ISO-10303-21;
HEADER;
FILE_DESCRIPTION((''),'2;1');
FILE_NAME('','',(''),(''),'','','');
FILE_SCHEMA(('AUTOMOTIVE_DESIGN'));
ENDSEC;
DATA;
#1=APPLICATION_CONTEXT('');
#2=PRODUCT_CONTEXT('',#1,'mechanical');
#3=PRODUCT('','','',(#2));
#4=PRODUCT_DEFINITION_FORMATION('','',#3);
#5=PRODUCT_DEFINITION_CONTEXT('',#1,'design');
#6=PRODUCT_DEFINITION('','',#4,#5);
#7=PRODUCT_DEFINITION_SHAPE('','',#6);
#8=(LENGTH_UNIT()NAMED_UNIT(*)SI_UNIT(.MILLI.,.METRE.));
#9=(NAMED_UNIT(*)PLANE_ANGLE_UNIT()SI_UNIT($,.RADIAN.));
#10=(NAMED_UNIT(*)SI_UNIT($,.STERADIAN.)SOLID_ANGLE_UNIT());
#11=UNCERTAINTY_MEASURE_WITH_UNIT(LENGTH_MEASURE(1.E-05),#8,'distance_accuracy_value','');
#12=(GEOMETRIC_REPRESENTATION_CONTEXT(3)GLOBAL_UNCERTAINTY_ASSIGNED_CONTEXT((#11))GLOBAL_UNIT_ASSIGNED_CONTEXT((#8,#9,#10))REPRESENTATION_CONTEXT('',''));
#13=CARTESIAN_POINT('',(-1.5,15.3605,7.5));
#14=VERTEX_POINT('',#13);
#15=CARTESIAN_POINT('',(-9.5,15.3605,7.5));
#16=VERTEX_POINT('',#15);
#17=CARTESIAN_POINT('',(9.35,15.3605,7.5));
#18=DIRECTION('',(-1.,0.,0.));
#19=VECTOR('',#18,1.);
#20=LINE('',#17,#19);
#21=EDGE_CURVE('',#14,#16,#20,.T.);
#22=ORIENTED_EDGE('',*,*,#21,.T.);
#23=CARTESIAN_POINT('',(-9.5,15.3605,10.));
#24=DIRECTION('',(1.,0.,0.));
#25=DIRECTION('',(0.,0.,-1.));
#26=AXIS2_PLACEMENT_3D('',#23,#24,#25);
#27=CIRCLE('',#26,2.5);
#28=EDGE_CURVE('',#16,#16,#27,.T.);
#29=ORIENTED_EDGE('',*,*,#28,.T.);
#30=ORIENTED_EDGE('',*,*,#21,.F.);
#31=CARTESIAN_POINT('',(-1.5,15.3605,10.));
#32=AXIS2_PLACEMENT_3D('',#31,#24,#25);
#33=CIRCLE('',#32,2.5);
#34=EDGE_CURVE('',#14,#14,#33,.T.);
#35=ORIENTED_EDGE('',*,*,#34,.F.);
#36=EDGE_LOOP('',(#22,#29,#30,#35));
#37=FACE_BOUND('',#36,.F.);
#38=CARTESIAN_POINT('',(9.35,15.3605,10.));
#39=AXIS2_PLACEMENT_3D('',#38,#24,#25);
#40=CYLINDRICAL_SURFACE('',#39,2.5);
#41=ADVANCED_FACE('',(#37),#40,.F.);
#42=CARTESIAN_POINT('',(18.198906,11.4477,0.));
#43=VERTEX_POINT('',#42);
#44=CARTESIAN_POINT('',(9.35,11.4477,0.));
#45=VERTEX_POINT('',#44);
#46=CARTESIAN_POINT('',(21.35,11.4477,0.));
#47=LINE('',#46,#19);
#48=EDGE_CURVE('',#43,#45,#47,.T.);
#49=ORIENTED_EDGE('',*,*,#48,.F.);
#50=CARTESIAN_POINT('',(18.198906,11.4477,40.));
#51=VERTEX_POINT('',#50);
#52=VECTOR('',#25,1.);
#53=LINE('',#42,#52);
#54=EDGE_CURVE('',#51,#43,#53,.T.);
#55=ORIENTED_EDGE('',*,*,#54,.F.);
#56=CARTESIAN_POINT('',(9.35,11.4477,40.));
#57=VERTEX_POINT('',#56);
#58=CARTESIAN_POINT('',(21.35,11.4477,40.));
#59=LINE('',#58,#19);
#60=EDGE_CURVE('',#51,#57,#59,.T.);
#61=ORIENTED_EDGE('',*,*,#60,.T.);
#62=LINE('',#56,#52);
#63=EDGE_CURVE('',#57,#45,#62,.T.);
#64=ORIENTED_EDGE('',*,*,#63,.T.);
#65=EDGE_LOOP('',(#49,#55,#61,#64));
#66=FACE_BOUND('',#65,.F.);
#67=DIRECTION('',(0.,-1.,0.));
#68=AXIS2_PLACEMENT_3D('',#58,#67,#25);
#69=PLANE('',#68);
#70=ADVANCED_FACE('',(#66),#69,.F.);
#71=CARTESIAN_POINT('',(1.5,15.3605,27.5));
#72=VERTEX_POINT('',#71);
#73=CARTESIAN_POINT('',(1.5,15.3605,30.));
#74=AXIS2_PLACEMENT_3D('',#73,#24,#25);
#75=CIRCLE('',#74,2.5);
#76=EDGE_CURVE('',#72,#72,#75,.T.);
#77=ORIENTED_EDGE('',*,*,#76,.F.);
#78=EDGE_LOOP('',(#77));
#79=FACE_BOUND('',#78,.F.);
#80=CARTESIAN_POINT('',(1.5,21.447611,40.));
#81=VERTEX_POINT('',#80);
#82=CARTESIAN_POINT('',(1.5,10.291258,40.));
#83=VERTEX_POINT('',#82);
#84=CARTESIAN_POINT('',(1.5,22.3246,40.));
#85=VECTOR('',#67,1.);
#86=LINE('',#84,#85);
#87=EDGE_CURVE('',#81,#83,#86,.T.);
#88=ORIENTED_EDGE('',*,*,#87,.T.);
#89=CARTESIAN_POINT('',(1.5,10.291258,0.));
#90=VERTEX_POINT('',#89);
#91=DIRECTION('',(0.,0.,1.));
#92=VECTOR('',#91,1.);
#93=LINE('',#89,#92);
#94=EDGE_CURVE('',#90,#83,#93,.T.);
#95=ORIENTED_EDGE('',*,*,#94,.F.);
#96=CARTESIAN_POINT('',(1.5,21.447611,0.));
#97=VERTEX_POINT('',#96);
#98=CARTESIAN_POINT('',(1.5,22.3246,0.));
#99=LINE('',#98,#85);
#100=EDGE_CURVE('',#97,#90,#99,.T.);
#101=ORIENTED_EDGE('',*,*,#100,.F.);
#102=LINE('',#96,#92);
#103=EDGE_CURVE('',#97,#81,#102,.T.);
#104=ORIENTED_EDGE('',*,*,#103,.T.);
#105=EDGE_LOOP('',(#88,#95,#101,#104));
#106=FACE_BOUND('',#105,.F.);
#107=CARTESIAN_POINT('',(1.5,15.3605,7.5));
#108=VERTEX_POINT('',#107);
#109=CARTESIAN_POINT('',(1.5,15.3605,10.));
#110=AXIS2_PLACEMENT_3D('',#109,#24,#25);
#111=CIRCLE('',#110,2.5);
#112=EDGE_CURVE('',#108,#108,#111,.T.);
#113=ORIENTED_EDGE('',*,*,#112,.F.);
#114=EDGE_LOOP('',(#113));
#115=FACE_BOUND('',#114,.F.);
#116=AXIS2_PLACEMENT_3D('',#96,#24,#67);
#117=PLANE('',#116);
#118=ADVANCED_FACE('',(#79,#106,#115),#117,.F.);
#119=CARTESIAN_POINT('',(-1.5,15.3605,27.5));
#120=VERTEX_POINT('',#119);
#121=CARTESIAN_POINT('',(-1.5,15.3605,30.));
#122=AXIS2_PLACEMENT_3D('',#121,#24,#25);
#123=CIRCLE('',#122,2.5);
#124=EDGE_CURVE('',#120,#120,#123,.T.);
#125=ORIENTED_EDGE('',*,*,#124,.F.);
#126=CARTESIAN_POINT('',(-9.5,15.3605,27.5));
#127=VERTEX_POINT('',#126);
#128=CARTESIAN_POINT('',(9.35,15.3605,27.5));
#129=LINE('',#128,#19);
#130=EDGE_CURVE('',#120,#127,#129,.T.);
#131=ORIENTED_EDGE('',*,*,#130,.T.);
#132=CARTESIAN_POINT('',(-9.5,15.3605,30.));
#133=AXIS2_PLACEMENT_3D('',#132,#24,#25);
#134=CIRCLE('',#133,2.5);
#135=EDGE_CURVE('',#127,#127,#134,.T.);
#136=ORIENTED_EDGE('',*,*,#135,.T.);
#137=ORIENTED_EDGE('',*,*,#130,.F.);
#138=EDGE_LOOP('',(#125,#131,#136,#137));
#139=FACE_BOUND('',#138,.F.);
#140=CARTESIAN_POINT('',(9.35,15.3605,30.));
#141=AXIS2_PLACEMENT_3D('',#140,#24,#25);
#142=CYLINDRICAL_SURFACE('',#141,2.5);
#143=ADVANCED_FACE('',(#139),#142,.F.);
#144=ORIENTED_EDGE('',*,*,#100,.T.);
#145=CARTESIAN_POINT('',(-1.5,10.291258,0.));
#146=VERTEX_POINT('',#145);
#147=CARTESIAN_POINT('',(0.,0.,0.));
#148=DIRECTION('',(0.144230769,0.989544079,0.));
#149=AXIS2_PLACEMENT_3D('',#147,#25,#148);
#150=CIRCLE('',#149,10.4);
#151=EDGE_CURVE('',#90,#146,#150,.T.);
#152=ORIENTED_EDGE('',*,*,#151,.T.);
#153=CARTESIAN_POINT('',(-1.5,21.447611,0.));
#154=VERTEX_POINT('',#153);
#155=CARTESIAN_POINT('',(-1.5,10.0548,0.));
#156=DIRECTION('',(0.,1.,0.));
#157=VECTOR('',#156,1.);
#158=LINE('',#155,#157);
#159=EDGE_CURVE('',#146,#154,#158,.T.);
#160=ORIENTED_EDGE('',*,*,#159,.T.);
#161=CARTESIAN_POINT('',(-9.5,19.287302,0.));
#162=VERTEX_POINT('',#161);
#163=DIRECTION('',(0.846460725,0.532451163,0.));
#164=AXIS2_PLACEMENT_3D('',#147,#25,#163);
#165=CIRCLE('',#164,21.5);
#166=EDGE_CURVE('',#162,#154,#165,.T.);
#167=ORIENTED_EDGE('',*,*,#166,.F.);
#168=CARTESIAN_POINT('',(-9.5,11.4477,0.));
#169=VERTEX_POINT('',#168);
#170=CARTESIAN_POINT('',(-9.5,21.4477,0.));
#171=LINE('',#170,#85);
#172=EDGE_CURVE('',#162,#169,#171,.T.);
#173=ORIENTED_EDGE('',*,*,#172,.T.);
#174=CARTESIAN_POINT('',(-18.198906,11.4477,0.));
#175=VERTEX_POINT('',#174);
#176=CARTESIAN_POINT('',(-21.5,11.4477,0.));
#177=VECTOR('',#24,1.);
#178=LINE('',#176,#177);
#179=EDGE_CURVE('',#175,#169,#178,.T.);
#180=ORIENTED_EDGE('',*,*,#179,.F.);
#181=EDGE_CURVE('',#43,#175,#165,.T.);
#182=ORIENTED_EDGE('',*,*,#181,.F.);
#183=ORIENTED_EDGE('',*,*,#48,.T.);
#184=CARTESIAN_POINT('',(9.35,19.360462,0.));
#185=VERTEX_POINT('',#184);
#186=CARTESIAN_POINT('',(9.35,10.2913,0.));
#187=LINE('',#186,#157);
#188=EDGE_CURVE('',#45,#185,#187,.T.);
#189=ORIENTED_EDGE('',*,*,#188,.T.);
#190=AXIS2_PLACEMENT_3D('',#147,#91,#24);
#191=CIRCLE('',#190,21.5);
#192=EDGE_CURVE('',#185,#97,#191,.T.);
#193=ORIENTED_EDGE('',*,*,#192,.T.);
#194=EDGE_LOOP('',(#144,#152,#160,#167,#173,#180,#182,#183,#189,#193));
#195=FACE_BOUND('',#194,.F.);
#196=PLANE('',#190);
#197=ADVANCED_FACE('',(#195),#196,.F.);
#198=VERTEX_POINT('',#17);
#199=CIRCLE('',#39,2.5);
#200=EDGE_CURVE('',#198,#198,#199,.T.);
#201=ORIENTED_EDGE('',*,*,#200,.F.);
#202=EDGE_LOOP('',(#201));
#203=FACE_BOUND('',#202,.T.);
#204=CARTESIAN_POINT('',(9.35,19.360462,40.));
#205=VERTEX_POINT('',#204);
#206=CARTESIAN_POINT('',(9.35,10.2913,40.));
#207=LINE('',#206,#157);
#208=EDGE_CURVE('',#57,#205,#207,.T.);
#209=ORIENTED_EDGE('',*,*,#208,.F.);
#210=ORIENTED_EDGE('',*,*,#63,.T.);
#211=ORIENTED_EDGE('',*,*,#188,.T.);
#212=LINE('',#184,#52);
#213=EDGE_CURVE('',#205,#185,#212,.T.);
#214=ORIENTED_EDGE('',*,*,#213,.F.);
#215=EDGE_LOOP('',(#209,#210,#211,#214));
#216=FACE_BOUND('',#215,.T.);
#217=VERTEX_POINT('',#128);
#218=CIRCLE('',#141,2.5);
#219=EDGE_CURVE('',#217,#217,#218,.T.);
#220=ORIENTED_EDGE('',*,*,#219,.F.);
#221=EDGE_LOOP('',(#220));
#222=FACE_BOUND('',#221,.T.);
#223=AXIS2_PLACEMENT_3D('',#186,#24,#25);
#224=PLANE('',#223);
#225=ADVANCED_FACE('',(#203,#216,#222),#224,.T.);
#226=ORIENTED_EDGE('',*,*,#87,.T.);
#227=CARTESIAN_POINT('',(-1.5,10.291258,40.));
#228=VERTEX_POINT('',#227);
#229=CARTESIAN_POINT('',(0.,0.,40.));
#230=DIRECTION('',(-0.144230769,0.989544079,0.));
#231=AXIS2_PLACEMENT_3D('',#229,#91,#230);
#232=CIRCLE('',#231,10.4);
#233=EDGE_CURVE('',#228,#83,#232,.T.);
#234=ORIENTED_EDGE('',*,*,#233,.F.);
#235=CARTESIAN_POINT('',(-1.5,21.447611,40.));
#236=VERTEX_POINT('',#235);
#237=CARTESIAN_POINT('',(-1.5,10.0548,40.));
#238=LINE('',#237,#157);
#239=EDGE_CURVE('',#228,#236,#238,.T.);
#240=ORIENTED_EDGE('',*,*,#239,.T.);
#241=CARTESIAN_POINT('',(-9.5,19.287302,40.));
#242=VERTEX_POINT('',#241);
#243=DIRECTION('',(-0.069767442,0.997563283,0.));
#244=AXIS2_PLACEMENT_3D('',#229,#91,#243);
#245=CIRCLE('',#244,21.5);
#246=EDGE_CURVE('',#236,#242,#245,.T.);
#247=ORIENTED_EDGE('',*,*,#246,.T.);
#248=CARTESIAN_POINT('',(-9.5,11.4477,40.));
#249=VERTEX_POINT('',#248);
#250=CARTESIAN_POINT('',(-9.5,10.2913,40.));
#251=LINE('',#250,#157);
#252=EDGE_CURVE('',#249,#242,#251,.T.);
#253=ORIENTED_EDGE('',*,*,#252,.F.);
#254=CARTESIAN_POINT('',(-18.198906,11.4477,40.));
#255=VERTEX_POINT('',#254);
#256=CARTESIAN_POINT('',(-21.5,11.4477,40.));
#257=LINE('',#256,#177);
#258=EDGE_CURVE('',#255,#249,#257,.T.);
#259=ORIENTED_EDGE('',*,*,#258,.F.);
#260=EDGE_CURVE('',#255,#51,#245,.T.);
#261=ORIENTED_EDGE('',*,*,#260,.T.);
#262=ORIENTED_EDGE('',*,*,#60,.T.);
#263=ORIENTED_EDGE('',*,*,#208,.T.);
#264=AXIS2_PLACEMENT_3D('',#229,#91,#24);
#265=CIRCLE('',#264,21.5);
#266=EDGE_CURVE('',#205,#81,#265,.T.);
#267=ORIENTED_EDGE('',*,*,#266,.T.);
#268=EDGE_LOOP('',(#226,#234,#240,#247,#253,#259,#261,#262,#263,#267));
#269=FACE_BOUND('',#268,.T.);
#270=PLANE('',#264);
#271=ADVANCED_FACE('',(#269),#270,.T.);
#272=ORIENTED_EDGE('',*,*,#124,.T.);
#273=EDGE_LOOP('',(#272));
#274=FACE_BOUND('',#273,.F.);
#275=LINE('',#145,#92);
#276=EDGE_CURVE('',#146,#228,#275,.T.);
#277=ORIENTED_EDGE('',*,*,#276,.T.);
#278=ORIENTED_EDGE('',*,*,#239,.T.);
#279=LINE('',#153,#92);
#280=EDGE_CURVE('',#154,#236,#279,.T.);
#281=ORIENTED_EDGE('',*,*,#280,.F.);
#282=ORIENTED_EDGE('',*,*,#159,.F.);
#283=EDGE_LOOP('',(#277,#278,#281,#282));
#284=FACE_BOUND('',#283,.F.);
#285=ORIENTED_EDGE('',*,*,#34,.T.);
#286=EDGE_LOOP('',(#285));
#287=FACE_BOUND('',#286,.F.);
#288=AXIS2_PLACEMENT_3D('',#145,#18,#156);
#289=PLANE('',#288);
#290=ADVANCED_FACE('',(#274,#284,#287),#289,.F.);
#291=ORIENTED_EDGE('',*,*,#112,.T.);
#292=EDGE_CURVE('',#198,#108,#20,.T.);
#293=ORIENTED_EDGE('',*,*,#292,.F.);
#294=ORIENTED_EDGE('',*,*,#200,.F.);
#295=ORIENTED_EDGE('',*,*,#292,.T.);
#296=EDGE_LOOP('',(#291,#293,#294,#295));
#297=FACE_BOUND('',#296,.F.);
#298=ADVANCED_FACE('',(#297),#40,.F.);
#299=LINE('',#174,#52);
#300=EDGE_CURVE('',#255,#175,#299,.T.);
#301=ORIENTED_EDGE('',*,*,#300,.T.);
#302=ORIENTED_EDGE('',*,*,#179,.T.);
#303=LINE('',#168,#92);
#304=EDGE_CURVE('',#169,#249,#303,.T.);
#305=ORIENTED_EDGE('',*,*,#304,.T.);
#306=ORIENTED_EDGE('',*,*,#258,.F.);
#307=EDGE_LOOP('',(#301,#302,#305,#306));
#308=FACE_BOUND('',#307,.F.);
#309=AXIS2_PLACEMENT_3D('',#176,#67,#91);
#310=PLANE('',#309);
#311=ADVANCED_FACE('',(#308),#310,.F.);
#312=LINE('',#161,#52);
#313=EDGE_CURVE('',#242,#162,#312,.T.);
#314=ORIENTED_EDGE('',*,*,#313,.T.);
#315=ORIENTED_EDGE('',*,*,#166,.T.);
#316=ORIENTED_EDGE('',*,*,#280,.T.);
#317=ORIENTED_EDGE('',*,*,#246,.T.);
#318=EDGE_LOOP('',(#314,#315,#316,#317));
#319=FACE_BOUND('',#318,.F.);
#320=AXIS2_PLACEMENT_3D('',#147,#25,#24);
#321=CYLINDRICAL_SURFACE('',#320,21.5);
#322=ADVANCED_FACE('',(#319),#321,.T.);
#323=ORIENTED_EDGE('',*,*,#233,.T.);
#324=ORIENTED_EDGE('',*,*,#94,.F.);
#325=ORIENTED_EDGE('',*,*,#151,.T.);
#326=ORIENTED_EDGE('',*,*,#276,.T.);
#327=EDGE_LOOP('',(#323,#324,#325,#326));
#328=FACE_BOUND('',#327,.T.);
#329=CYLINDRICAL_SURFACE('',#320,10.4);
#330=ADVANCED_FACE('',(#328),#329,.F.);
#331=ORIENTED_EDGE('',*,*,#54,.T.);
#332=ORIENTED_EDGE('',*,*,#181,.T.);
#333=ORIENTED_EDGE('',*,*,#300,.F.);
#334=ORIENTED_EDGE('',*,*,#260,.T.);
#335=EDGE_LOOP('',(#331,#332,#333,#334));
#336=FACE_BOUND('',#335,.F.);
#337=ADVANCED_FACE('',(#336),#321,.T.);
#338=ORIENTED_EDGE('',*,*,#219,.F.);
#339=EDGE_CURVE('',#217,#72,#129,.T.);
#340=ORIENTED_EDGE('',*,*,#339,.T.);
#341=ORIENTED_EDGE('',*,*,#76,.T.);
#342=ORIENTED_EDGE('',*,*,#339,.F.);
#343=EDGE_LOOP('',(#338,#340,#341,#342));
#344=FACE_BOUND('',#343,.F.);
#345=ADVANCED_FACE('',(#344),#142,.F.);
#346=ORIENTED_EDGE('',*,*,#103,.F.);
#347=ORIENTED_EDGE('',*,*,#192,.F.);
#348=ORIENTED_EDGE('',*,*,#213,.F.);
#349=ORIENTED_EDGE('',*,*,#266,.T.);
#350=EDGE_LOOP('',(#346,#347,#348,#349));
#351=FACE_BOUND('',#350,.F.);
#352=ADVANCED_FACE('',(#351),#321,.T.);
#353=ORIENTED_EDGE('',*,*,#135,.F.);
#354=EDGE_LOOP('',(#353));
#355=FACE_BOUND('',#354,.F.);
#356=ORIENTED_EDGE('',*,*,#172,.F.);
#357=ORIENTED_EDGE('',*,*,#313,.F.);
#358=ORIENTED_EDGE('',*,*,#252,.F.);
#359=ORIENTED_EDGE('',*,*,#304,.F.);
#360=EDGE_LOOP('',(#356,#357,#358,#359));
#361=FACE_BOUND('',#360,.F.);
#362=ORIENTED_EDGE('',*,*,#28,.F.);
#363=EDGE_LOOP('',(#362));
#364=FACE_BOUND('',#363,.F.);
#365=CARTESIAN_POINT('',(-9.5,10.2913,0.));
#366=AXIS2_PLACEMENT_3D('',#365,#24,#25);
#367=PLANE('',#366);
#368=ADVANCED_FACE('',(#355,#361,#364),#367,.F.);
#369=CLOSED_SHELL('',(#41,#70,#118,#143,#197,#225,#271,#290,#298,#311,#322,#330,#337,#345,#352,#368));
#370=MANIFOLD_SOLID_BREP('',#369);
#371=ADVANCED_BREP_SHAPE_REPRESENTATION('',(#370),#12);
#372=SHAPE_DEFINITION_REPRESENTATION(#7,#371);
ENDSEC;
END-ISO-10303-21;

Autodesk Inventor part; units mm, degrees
ref_plane "YZ Plane" through (0, 0, 0) normal (1, 0, 0) x (0, 1, 0)
ref_plane "XZ Plane" through (0, 0, 0) normal (0, 1, 0) x (-1, 0, 0)
ref_plane "XY Plane" through (0, 0, 0) normal (0, 0, 1) x (1, 0, 0)
sketch "Sketch1" plane through (0, 0, 0) normal (0, 0, 1) x (1, 0, 0)
  point P0 (0, 0)
sketch "Sketch2" plane through (0, 0, 0) normal (0, 0, 1) x (1, 0, 0)
  circle A0 centre (0, 0) radius 10.4
  circle A1 centre (0, 0) radius 21.5
  line L0 (0, 10.0548) -> (-1.5, 10.0548)
  line L1 (-1.5, 10.0548) -> (-1.5, 22.3246)
  line L2 (-1.5, 22.3246) -> (1.5, 22.3246)
  line L3 (1.5, 22.3246) -> (1.5, 10.0548)
  line L4 (1.5, 10.0548) -> (0, 10.0548)
  point P0 (1.5, 21.4476)
  point P1 (1.5, 10.2913)
  point P2 (-1.5, 10.2913)
  point P3 (-1.5, 21.4476)
  dimension "d0" = 20.8
  dimension "d1" = 43
  dimension "d3" = 1.5
  dimension "d4" = 3
extrude "Extrusion1" add sketch "Sketch2" along normal blind 40 contours A0 L3 A1 L1 picked at (17.4874, -2.5592)
ref_plane "Work Plane1" through (0, 10.2913, 0) normal (1, 0, 0) x (0, 0, -1)
ref_plane "Work Plane2" through (21.35, 10.2913, 0) normal (1, 0, 0) x (0, 0, -1)
sketch "Sketch3" plane through (21.35, 10.2913, 0) normal (1, 0, 0) x (0, 0, -1)
  line L0 (-40, 0) -> (-40, 11.1564) projected
  line L1 (-40, 11.1564) -> (-40, 1.1564)
  line L2 (-40, 1.1564) -> (0, 1.1564)
  line L3 (0, 0) -> (-40, 0) projected
  line L4 (0, 0) -> (0, 11.1564) projected
  line L5 (0, 1.1564) -> (0, 11.1564)
  line L6 (0, 11.1564) -> (-40, 11.1564) projected
  line L7 (0, 11.1564) -> (-40, 11.1564)
  point P0 (0, -10.2913)
  dimension "d8" = 10
extrude "Extrusion2" cut sketch "Sketch3" against normal blind 12 contours L0 L6 L4 L2
ref_plane "Work Plane3" through (-21.5, 10.2913, 0) normal (1, 0, 0) x (0, 0, -1)
sketch "Sketch4" plane through (-21.5, 10.2913, 0) normal (1, 0, 0) x (0, 0, -1)
  line L0 (0, 11.1564) -> (-40, 11.1564) projected
  line L1 (0, 11.1564) -> (0, 1.1564)
  line L2 (0, 11.1564) -> (0, 0) projected
  line L3 (0, 1.1564) -> (-40, 1.1564)
  line L4 (-40, 0) -> (-40, 11.1564) projected
  line L5 (-40, 11.1564) -> (0, 11.1564)
  point P0 (0, -10.2913)
  dimension "d12" = 10
extrude "Extrusion3" cut sketch "Sketch4" along normal blind 12
sketch "Sketch5" plane through (9.35, 10.2913, 0) normal (1, 0, 0) x (0, 0, -1)
  circle A0 centre (-30, 5.0692) radius 2.5
  circle A1 centre (-10, 5.0692) radius 2.5
  line L0 (-40, 1.1564) -> (-40, 9.0692) projected
  line L1 (0, 9.0692) -> (0, 1.1564) projected
  line L2 (-40, 9.0692) -> (0, 9.0692) projected
  point P0 (0, -10.2913)
  dimension "d15" = 5
  dimension "d16" = 5
  dimension "d17" = 10
  dimension "d18" = 10
  dimension "d19" = 4
  dimension "d20" = 4
extrude "Extrusion4" cut sketch "Sketch5" against normal through all
properties part number "Cuff"
